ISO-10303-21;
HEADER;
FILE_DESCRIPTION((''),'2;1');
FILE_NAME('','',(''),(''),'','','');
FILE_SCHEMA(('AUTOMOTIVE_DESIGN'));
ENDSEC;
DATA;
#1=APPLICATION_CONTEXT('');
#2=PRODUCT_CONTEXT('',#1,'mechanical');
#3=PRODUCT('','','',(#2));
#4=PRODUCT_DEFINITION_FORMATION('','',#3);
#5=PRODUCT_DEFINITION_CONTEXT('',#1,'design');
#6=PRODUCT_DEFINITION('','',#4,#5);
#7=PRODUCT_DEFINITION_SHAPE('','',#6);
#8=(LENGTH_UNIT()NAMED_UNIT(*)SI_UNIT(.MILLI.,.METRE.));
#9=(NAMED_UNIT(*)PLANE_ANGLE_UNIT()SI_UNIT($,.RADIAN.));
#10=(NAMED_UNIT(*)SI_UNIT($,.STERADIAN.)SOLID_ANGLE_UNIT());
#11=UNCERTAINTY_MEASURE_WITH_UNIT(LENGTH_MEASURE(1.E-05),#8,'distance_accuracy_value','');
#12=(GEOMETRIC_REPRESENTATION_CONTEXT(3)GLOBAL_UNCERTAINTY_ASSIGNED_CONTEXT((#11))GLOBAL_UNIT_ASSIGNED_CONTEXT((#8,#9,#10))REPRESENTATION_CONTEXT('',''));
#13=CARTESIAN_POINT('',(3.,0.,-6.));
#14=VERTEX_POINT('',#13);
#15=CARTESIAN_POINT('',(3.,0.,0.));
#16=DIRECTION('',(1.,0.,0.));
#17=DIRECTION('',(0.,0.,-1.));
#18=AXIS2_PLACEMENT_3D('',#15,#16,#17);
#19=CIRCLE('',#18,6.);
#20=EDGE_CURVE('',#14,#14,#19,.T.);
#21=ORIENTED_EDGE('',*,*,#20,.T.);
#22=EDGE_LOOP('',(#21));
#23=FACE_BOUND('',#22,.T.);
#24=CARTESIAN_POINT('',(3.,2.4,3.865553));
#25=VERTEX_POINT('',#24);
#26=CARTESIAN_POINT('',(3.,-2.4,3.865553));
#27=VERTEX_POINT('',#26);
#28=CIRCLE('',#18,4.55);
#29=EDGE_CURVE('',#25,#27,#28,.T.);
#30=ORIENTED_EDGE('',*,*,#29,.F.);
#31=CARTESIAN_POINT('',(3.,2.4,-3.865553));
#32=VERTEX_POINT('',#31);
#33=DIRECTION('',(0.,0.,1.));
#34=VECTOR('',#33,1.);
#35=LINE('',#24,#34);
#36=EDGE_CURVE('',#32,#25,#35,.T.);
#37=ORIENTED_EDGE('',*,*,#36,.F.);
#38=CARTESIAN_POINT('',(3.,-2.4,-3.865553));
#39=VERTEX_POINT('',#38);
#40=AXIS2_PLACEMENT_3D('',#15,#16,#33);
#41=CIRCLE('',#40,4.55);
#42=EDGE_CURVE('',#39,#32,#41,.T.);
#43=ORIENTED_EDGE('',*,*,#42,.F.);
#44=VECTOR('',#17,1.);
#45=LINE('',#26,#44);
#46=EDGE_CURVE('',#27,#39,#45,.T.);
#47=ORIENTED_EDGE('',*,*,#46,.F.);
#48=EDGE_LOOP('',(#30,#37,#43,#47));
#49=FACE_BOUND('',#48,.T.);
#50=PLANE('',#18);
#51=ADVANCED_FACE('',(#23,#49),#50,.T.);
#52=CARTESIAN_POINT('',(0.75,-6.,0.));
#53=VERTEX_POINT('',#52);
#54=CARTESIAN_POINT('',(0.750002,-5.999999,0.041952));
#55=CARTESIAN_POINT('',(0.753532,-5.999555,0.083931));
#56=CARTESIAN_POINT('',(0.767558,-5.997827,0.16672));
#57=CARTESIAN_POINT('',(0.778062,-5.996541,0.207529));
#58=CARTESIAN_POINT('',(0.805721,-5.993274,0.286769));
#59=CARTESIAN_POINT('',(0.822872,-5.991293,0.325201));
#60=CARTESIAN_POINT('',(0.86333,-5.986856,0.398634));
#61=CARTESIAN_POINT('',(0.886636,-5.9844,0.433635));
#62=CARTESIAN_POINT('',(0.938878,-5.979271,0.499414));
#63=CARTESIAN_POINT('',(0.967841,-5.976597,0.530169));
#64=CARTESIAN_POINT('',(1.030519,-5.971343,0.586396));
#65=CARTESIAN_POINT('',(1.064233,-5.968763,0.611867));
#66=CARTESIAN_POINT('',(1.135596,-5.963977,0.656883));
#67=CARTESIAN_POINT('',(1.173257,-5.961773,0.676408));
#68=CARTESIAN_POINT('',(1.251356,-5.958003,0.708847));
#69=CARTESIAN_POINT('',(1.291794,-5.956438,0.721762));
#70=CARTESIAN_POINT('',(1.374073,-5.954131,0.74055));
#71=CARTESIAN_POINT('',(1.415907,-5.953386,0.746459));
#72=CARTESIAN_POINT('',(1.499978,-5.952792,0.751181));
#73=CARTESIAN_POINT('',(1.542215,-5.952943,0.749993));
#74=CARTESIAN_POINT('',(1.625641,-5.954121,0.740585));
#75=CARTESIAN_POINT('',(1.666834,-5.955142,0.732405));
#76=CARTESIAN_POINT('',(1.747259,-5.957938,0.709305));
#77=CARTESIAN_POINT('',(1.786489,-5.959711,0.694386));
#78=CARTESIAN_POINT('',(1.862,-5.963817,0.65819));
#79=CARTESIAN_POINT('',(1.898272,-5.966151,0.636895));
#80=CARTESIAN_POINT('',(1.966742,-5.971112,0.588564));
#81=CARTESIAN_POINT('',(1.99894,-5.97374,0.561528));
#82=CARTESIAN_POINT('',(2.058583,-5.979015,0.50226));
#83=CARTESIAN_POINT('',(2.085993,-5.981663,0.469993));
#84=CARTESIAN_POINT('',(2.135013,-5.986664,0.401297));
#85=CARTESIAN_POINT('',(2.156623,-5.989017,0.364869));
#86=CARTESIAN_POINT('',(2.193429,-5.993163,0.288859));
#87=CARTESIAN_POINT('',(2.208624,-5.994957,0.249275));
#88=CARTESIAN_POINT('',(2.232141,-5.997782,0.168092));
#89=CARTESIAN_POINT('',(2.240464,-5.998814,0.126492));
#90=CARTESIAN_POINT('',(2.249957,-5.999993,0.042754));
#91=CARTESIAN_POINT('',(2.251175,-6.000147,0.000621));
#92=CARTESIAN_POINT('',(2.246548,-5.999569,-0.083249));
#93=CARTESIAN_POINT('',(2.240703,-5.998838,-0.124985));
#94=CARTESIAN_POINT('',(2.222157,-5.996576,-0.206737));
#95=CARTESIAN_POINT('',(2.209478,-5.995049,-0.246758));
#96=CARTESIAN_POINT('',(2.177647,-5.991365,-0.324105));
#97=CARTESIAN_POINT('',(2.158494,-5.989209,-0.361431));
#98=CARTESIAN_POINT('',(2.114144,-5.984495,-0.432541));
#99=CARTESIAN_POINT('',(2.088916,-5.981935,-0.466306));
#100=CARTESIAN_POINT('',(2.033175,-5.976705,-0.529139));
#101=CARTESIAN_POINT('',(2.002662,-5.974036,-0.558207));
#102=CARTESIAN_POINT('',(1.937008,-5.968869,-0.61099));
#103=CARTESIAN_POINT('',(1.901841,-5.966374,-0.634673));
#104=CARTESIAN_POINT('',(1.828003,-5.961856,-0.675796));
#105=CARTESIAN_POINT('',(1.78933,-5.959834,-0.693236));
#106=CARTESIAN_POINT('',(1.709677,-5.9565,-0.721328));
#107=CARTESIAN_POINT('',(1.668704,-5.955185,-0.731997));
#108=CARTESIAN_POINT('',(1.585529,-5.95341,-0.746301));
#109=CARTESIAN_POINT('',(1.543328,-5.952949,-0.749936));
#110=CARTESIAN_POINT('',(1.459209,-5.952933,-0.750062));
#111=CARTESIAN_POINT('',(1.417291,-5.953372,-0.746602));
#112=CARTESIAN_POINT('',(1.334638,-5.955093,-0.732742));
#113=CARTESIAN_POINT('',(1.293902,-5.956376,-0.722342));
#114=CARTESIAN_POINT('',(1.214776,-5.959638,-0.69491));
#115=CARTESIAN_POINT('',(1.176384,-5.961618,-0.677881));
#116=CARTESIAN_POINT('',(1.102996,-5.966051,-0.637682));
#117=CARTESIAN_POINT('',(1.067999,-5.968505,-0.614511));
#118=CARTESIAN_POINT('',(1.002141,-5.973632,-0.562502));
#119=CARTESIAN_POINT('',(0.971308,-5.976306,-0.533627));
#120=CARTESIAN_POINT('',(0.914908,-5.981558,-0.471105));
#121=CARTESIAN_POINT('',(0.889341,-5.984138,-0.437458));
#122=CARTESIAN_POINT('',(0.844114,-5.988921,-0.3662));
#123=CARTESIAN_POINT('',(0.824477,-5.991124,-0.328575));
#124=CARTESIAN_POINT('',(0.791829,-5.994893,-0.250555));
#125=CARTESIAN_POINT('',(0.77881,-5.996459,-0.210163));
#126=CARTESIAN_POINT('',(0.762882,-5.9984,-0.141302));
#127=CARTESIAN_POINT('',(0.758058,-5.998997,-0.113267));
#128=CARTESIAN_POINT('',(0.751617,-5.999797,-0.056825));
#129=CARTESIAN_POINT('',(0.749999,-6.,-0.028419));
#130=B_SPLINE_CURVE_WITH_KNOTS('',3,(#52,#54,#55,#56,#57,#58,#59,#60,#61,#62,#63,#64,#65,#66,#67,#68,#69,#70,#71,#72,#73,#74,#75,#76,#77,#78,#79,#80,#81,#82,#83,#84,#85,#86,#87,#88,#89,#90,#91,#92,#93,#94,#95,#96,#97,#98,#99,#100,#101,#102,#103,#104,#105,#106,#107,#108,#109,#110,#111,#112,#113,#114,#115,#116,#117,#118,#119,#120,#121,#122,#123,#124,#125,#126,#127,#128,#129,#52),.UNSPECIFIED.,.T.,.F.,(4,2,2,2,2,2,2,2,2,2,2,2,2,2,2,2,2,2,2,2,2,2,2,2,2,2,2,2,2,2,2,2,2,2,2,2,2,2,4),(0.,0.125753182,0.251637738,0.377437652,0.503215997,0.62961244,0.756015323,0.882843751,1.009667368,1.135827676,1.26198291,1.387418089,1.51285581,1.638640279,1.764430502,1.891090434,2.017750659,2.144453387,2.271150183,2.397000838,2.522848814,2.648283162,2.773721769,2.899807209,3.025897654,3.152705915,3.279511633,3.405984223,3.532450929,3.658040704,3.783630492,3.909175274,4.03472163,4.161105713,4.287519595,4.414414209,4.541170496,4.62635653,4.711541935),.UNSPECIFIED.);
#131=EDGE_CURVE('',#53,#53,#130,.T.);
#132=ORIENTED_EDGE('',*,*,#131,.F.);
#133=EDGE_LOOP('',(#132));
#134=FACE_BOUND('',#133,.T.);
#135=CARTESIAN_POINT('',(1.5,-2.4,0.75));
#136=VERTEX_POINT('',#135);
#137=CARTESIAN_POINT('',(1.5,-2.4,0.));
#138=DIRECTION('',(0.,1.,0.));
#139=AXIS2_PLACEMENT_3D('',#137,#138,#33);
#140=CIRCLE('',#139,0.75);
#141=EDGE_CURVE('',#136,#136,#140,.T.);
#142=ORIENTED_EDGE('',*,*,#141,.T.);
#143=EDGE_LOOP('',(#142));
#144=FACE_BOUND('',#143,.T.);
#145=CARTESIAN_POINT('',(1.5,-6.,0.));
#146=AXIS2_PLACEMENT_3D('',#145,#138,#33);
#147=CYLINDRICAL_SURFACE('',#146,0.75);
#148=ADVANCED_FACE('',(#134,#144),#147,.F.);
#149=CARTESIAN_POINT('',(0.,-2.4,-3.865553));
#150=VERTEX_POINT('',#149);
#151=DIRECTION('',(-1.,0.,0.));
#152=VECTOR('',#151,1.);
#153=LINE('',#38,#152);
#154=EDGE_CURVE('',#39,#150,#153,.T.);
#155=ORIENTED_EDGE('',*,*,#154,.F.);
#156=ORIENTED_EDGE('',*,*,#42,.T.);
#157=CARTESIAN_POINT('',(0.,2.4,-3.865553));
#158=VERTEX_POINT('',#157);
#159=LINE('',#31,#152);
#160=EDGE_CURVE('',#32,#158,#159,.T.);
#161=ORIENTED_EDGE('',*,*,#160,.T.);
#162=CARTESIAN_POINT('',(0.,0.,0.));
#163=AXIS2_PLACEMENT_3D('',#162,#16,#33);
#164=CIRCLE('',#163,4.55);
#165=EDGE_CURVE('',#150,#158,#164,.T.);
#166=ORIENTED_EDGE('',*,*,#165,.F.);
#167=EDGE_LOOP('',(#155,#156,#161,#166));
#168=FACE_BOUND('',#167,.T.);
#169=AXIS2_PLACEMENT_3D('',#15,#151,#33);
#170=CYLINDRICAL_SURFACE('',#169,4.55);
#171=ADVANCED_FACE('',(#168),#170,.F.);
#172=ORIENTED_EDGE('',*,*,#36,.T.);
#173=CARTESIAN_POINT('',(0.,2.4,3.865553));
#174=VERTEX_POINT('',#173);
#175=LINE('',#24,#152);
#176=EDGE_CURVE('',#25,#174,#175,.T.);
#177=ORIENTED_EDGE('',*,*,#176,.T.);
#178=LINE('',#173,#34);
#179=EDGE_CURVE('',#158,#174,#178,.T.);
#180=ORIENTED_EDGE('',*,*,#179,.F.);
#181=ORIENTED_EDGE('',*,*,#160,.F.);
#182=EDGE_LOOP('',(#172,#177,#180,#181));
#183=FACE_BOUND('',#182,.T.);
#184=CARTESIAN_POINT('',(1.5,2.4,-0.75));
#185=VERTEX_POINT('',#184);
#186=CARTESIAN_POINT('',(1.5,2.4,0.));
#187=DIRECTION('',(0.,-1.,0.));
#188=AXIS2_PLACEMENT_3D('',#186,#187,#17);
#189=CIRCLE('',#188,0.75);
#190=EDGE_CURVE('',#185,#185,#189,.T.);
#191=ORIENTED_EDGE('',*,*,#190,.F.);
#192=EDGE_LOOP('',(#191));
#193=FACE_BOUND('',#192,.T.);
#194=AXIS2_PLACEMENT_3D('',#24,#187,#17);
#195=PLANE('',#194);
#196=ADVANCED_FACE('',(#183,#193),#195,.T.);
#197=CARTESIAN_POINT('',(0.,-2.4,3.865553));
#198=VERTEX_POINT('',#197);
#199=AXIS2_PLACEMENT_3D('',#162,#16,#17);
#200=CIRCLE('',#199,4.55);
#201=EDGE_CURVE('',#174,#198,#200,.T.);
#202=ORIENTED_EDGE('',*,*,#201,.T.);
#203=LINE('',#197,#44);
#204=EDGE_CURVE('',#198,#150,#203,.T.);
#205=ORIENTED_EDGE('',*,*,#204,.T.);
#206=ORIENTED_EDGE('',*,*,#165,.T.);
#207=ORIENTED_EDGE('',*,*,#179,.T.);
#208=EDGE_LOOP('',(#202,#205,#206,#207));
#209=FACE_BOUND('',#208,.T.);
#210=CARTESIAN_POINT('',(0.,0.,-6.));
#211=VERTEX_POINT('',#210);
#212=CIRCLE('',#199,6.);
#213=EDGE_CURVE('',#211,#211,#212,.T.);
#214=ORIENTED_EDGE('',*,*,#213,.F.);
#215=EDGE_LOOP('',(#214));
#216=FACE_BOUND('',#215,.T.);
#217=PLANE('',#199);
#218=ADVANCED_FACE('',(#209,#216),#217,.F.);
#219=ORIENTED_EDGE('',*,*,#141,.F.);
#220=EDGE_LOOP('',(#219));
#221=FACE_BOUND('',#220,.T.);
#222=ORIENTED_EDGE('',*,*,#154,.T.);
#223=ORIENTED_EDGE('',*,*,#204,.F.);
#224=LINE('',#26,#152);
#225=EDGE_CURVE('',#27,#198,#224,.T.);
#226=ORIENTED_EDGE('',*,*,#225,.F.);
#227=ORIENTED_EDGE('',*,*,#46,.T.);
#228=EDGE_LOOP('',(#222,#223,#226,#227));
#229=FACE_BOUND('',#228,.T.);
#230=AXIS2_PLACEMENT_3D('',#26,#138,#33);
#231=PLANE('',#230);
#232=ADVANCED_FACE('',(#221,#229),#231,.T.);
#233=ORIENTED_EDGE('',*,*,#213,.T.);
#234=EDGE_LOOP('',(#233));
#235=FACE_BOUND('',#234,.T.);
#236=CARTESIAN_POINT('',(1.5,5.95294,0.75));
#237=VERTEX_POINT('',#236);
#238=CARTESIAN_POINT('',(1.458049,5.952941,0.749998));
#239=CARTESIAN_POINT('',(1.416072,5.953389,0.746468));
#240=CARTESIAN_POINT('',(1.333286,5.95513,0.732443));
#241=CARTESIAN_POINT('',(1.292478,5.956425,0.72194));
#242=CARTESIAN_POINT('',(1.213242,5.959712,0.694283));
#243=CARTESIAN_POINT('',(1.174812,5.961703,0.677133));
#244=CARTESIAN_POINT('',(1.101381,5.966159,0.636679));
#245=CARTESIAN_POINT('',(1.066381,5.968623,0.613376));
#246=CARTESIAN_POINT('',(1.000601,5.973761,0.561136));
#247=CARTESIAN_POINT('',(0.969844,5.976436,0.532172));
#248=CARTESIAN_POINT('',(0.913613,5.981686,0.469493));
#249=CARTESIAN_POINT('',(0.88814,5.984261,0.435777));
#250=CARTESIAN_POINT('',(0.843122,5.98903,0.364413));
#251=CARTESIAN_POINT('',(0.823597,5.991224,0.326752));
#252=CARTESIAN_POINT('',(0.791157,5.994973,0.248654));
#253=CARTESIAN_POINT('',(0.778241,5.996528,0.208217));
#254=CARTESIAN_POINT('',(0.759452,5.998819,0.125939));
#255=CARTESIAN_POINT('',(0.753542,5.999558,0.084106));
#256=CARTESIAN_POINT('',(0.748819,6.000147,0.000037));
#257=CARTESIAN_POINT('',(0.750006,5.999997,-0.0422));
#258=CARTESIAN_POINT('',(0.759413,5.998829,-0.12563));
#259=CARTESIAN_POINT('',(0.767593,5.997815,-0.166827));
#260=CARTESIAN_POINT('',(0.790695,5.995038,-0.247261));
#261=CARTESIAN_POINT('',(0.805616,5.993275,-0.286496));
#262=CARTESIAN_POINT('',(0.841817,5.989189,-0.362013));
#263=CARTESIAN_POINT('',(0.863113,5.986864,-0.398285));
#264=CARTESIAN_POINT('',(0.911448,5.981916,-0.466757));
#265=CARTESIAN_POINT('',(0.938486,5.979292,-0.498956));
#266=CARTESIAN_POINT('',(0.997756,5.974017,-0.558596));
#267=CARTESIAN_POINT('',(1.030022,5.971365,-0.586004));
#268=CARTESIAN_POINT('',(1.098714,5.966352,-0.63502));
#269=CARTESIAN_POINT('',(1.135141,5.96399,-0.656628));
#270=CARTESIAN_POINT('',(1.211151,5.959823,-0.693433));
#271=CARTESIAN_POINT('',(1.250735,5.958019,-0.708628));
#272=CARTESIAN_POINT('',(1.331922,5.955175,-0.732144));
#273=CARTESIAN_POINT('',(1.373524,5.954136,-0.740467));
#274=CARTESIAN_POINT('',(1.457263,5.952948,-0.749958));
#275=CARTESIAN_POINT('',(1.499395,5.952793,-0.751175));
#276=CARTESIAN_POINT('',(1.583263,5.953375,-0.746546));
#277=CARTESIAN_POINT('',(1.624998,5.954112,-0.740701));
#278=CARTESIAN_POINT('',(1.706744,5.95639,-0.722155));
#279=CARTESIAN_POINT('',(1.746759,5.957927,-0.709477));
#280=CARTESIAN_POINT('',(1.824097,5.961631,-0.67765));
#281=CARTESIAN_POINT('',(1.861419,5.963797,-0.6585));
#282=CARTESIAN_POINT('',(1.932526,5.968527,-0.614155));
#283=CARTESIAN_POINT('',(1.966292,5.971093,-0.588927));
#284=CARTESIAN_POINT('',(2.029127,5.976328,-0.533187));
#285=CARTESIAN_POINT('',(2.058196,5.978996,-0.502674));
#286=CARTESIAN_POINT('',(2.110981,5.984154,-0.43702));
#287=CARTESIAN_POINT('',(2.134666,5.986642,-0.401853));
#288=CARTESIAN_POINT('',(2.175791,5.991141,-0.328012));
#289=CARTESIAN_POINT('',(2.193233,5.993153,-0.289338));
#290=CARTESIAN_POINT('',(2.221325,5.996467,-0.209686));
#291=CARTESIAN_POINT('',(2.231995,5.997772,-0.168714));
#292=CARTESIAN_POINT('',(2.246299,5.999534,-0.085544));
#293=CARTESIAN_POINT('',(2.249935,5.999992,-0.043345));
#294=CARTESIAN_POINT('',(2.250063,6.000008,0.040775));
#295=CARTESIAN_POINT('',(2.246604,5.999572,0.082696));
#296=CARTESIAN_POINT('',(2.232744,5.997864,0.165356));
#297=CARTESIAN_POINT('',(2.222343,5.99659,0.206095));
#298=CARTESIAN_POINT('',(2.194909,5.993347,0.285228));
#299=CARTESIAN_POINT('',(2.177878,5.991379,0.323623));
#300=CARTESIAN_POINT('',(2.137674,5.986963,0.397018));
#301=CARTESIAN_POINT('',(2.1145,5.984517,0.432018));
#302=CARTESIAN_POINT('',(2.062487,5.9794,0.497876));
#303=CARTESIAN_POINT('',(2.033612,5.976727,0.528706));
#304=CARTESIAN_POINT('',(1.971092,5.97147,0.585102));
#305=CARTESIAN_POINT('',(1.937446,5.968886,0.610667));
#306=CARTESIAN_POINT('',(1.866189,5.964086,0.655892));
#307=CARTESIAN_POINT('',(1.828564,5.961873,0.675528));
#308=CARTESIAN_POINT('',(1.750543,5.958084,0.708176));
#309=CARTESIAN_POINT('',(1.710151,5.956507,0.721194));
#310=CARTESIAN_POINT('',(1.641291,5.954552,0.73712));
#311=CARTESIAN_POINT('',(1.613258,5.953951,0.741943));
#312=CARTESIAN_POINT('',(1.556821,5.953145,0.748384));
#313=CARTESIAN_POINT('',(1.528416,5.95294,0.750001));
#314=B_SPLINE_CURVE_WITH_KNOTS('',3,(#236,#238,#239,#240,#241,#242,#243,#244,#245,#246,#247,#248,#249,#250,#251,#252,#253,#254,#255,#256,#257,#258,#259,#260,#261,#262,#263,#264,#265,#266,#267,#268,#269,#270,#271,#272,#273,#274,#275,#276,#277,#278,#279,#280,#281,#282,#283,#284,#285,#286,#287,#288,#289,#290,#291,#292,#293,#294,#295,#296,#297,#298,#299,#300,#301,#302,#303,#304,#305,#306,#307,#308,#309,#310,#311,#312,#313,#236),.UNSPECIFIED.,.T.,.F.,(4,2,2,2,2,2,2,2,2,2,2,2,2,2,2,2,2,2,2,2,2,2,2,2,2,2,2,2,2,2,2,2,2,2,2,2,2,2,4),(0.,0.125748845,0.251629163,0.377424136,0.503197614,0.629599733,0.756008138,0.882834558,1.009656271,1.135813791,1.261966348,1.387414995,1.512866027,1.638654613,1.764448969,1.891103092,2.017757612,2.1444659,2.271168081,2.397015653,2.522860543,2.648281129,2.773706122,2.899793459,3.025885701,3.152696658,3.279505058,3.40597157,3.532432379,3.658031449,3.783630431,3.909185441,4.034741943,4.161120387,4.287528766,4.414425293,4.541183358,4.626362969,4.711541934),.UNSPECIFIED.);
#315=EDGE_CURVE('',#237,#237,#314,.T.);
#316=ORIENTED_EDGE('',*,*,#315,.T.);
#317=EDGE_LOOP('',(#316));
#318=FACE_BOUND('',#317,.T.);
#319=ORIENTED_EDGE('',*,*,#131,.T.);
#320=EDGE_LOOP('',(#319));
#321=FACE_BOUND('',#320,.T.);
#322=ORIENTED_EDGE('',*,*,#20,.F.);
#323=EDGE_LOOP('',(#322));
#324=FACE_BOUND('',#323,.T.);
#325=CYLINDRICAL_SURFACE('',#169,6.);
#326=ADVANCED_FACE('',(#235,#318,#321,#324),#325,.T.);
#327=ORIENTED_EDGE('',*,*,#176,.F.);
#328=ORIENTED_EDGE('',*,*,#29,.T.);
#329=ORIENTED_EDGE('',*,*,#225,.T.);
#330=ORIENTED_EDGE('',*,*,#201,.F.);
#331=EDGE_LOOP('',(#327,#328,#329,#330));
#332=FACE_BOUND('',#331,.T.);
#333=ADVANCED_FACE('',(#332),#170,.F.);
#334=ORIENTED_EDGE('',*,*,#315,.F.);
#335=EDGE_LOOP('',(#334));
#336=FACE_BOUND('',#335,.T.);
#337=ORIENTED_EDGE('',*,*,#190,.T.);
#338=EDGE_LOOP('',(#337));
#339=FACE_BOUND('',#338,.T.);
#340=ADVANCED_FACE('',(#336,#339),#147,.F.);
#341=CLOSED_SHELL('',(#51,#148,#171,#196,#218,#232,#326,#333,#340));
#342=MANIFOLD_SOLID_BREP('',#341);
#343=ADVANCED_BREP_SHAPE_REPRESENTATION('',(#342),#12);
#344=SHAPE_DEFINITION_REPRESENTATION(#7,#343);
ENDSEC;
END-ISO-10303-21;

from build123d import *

# Parameters (mm, degrees)
SKETCH1_R               = 6
BOSS_EXTRUDE1_DEPTH     = 3
SKETCH2_R               = 0.75
CUT_EXTRUDE1_DEPTH      = 9.4
CUT_EXTRUDE1_DEPTH_BACK = 4.6


with BuildPart() as part:
    # Sketch1 → Boss-Extrude1 (new body)
    with BuildSketch(Plane(origin=(0, 0, 0), x_dir=(0, 0, -1), z_dir=(1, 0, 0))):
        Circle(SKETCH1_R)
        with BuildLine():
            Line((-3.865553001, 2.4), (3.865553001, 2.4))
            ThreePointArc((3.865553001, 2.4), (4.55, 0), (3.865553001, -2.4))
            Line((3.865553001, -2.4), (-3.865553001, -2.4))
            ThreePointArc((-3.865553001, -2.4), (-4.55, 0), (-3.865553001, 2.4))
        make_face(mode=Mode.SUBTRACT)
    extrude(amount=BOSS_EXTRUDE1_DEPTH)

    # Sketch2 → Cut-Extrude1 (cut, two sides)
    with BuildSketch(Plane(origin=(0, -2.4, 0), x_dir=(1, 0, 0), z_dir=(0, 1, 0))) as cut_extrude1_sk:
        with Locations((1.5, 0)):
            Circle(SKETCH2_R)
    extrude(amount=CUT_EXTRUDE1_DEPTH, mode=Mode.SUBTRACT)
    extrude(cut_extrude1_sk.sketch, amount=-CUT_EXTRUDE1_DEPTH_BACK, mode=Mode.SUBTRACT)


solid = part.part
